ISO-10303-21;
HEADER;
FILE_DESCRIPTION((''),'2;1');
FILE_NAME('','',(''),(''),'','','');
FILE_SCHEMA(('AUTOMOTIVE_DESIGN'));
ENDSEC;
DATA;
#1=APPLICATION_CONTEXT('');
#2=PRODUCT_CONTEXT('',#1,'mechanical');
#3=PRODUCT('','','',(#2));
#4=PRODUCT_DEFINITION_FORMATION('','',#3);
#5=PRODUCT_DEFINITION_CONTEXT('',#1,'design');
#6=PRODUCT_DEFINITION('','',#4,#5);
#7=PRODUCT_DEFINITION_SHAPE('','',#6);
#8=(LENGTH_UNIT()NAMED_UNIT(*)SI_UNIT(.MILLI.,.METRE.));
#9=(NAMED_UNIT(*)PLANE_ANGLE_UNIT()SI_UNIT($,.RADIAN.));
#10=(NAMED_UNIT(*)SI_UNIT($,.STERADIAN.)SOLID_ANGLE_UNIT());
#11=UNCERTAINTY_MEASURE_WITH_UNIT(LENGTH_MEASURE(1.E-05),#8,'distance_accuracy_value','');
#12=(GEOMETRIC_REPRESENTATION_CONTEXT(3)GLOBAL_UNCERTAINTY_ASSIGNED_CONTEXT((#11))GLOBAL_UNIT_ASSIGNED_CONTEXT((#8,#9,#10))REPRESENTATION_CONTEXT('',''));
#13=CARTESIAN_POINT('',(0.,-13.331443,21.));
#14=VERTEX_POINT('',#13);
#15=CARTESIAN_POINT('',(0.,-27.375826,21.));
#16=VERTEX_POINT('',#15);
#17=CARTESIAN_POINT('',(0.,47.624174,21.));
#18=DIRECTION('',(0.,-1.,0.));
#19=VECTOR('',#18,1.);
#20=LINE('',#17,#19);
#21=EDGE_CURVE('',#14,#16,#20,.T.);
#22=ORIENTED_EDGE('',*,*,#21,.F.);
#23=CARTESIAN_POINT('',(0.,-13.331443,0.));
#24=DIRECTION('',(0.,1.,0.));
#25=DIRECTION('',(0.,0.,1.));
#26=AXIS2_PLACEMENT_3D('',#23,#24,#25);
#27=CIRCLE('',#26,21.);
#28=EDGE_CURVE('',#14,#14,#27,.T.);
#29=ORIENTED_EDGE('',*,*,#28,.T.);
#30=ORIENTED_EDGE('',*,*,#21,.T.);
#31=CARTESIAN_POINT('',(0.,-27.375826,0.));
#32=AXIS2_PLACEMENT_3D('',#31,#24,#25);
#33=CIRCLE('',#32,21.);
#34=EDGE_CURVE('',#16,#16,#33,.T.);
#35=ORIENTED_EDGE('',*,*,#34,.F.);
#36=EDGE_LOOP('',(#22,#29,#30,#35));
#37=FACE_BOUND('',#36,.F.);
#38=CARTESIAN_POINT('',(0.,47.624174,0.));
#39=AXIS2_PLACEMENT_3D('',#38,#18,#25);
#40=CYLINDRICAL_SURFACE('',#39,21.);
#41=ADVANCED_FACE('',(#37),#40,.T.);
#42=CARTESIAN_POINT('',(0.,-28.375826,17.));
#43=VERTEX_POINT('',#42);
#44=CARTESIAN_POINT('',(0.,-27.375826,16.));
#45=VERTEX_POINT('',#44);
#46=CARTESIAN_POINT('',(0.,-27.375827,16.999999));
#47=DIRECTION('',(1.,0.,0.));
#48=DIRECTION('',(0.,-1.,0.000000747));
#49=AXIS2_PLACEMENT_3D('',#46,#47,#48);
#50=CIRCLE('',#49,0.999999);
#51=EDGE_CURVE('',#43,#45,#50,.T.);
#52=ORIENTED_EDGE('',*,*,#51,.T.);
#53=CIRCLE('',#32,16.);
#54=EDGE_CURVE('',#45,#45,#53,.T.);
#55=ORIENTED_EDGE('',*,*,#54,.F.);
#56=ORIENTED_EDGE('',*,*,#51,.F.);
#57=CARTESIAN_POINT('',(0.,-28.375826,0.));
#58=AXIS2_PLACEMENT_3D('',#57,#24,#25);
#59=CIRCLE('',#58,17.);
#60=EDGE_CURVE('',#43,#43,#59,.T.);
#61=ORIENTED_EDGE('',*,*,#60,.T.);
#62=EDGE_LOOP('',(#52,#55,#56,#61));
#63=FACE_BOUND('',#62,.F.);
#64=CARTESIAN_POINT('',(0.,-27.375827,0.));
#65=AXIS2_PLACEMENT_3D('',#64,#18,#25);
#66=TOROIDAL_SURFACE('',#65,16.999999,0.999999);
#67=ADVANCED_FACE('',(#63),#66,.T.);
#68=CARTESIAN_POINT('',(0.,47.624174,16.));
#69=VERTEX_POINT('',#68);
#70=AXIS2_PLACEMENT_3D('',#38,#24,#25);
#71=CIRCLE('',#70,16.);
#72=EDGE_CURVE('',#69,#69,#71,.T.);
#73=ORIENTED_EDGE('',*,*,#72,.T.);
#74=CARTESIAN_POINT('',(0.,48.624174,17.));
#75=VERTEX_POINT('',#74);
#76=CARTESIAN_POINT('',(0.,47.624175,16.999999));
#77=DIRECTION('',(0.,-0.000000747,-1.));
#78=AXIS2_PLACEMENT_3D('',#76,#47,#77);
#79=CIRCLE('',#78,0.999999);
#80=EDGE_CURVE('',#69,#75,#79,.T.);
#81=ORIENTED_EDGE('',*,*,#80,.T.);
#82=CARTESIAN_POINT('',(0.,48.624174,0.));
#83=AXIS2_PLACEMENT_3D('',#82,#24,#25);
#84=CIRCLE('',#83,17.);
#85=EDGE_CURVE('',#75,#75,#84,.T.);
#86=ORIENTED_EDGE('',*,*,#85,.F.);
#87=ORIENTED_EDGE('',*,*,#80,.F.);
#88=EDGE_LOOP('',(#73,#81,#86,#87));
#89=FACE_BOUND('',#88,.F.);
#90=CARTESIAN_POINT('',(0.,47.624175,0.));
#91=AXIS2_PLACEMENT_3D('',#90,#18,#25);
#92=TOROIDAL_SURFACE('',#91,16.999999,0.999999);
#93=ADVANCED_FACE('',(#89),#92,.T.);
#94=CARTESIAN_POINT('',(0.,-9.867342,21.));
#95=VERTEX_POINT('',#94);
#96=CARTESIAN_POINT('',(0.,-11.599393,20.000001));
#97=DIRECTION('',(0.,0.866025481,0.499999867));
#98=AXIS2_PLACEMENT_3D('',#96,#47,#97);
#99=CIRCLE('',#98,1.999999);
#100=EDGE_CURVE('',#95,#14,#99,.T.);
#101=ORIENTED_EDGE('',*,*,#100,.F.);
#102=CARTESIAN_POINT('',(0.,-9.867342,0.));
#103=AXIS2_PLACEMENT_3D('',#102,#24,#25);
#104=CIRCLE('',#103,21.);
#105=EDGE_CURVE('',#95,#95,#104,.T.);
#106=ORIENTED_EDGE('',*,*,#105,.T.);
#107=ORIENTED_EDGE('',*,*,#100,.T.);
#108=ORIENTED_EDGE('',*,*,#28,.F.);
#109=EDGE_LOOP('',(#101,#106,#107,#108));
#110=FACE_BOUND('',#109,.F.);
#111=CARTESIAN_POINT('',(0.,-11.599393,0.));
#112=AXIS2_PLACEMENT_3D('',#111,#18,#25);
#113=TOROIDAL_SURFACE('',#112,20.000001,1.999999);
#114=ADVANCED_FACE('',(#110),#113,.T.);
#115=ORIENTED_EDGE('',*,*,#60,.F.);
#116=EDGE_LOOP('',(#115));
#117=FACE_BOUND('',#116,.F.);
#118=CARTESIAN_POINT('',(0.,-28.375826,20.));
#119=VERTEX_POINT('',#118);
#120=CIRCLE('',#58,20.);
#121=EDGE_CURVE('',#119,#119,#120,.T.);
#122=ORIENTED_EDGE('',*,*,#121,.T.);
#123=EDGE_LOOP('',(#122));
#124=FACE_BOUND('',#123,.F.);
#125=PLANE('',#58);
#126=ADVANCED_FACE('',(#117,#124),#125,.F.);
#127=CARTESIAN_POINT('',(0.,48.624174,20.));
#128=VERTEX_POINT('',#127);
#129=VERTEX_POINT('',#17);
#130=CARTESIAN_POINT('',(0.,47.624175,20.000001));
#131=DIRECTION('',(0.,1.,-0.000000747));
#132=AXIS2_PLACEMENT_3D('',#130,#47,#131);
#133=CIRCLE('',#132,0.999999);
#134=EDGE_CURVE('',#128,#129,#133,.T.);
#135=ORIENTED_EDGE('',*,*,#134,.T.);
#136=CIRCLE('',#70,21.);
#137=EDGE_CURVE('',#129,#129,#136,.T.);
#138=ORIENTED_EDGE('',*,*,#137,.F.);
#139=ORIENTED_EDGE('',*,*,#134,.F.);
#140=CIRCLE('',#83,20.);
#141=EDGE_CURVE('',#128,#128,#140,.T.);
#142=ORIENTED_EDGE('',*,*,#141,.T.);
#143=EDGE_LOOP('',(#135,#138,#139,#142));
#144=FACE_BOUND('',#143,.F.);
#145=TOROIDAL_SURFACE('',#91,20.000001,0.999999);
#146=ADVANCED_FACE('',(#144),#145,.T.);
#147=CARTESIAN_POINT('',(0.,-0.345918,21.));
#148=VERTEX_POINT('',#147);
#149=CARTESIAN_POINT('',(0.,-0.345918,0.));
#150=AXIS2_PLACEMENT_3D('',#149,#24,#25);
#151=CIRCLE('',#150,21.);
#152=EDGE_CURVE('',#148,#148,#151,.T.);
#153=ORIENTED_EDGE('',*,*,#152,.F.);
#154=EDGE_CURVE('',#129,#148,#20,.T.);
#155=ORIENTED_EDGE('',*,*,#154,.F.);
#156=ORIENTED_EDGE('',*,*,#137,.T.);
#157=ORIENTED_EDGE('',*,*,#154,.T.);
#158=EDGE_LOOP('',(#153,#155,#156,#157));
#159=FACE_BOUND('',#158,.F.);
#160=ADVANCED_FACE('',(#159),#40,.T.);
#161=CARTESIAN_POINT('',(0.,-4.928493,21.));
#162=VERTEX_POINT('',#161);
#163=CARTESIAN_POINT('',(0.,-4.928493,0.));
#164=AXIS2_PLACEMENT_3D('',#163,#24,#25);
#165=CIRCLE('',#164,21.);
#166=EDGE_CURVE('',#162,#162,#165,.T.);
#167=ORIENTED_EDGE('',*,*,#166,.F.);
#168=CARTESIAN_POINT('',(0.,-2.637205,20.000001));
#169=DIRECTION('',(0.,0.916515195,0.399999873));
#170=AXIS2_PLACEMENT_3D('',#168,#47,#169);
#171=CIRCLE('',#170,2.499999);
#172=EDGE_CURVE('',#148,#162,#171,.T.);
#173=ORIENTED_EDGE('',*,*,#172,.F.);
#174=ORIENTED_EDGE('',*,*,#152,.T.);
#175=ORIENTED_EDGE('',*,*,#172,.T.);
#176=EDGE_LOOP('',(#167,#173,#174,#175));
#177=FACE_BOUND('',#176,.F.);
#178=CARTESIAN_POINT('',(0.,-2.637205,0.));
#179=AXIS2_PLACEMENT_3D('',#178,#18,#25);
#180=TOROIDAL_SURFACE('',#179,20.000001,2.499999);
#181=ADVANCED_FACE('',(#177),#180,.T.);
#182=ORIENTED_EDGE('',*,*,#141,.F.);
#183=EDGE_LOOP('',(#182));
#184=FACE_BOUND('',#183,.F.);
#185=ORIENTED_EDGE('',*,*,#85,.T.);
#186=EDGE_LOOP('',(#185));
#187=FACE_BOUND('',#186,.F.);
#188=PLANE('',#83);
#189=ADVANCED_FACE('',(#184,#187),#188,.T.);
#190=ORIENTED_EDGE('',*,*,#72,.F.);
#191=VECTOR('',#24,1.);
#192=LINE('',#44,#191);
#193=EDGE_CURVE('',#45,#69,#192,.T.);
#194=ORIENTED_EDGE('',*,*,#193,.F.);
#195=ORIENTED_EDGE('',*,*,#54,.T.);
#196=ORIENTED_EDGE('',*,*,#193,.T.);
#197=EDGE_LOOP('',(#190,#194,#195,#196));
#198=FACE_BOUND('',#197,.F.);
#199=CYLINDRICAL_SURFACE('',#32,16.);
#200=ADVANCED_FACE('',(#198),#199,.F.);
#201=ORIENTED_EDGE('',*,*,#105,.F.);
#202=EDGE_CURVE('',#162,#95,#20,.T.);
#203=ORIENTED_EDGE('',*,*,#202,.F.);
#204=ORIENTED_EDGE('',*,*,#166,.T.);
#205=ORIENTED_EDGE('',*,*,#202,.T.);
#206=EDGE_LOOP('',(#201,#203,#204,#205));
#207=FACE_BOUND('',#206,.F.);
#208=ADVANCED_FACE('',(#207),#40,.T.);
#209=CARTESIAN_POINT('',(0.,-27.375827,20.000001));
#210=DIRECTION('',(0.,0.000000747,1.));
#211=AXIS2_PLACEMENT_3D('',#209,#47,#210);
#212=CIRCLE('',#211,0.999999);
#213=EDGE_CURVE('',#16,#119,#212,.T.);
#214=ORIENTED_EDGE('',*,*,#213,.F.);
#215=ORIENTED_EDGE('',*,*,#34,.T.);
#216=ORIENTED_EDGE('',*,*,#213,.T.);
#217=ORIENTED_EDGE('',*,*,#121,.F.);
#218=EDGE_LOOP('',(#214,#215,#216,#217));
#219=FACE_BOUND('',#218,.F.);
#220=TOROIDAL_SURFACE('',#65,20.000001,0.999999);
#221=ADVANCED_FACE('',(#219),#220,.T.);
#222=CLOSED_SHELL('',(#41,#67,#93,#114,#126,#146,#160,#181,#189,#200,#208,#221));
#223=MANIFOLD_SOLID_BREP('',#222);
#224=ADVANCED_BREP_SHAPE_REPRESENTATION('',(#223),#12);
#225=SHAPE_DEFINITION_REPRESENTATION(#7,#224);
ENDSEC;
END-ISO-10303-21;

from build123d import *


with BuildPart() as f1:
    # F0 (on Right) → F1 (revolve)
    with BuildSketch(Plane.YZ):
        with BuildLine():
            Line((-18.375826, 21), (-27.375826, 21))
            ThreePointArc((-27.375826, 21), (-28.082933, 20.707107), (-28.375826, 20))
            Line((-28.375826, 20), (-28.375826, 17))
            ThreePointArc((-28.375826, 17), (-28.082933, 16.292893), (-27.375826, 16))
            Line((-27.375826, 16), (47.624174, 16))
            ThreePointArc((47.624174, 16), (48.331281, 16.292893), (48.624174, 17))
            Line((48.624174, 17), (48.624174, 20))
            ThreePointArc((48.624174, 20), (48.331281, 20.707107), (47.624174, 21))
            Line((47.624174, 21), (-0.345918, 21))
            Line((-0.345918, 21), (-4.928493, 21))
            Line((-4.928493, 21), (-9.867342, 21))
            Line((-9.867342, 21), (-13.331443, 21))
            Line((-13.331443, 21), (-18.375826, 21))
        make_face()
        with BuildLine():
            ThreePointArc((-9.867342, 21), (-11.599393, 22), (-13.331443, 21))
            Line((-13.331443, 21), (-9.867342, 21))
        make_face()
        with BuildLine():
            ThreePointArc((-0.345918, 21), (-2.637205, 22.5), (-4.928493, 21))
            Line((-4.928493, 21), (-0.345918, 21))
        make_face()
    revolve(axis=Axis((0, 6.925453, 0), (0, 1, 0)))


solid = f1.part
